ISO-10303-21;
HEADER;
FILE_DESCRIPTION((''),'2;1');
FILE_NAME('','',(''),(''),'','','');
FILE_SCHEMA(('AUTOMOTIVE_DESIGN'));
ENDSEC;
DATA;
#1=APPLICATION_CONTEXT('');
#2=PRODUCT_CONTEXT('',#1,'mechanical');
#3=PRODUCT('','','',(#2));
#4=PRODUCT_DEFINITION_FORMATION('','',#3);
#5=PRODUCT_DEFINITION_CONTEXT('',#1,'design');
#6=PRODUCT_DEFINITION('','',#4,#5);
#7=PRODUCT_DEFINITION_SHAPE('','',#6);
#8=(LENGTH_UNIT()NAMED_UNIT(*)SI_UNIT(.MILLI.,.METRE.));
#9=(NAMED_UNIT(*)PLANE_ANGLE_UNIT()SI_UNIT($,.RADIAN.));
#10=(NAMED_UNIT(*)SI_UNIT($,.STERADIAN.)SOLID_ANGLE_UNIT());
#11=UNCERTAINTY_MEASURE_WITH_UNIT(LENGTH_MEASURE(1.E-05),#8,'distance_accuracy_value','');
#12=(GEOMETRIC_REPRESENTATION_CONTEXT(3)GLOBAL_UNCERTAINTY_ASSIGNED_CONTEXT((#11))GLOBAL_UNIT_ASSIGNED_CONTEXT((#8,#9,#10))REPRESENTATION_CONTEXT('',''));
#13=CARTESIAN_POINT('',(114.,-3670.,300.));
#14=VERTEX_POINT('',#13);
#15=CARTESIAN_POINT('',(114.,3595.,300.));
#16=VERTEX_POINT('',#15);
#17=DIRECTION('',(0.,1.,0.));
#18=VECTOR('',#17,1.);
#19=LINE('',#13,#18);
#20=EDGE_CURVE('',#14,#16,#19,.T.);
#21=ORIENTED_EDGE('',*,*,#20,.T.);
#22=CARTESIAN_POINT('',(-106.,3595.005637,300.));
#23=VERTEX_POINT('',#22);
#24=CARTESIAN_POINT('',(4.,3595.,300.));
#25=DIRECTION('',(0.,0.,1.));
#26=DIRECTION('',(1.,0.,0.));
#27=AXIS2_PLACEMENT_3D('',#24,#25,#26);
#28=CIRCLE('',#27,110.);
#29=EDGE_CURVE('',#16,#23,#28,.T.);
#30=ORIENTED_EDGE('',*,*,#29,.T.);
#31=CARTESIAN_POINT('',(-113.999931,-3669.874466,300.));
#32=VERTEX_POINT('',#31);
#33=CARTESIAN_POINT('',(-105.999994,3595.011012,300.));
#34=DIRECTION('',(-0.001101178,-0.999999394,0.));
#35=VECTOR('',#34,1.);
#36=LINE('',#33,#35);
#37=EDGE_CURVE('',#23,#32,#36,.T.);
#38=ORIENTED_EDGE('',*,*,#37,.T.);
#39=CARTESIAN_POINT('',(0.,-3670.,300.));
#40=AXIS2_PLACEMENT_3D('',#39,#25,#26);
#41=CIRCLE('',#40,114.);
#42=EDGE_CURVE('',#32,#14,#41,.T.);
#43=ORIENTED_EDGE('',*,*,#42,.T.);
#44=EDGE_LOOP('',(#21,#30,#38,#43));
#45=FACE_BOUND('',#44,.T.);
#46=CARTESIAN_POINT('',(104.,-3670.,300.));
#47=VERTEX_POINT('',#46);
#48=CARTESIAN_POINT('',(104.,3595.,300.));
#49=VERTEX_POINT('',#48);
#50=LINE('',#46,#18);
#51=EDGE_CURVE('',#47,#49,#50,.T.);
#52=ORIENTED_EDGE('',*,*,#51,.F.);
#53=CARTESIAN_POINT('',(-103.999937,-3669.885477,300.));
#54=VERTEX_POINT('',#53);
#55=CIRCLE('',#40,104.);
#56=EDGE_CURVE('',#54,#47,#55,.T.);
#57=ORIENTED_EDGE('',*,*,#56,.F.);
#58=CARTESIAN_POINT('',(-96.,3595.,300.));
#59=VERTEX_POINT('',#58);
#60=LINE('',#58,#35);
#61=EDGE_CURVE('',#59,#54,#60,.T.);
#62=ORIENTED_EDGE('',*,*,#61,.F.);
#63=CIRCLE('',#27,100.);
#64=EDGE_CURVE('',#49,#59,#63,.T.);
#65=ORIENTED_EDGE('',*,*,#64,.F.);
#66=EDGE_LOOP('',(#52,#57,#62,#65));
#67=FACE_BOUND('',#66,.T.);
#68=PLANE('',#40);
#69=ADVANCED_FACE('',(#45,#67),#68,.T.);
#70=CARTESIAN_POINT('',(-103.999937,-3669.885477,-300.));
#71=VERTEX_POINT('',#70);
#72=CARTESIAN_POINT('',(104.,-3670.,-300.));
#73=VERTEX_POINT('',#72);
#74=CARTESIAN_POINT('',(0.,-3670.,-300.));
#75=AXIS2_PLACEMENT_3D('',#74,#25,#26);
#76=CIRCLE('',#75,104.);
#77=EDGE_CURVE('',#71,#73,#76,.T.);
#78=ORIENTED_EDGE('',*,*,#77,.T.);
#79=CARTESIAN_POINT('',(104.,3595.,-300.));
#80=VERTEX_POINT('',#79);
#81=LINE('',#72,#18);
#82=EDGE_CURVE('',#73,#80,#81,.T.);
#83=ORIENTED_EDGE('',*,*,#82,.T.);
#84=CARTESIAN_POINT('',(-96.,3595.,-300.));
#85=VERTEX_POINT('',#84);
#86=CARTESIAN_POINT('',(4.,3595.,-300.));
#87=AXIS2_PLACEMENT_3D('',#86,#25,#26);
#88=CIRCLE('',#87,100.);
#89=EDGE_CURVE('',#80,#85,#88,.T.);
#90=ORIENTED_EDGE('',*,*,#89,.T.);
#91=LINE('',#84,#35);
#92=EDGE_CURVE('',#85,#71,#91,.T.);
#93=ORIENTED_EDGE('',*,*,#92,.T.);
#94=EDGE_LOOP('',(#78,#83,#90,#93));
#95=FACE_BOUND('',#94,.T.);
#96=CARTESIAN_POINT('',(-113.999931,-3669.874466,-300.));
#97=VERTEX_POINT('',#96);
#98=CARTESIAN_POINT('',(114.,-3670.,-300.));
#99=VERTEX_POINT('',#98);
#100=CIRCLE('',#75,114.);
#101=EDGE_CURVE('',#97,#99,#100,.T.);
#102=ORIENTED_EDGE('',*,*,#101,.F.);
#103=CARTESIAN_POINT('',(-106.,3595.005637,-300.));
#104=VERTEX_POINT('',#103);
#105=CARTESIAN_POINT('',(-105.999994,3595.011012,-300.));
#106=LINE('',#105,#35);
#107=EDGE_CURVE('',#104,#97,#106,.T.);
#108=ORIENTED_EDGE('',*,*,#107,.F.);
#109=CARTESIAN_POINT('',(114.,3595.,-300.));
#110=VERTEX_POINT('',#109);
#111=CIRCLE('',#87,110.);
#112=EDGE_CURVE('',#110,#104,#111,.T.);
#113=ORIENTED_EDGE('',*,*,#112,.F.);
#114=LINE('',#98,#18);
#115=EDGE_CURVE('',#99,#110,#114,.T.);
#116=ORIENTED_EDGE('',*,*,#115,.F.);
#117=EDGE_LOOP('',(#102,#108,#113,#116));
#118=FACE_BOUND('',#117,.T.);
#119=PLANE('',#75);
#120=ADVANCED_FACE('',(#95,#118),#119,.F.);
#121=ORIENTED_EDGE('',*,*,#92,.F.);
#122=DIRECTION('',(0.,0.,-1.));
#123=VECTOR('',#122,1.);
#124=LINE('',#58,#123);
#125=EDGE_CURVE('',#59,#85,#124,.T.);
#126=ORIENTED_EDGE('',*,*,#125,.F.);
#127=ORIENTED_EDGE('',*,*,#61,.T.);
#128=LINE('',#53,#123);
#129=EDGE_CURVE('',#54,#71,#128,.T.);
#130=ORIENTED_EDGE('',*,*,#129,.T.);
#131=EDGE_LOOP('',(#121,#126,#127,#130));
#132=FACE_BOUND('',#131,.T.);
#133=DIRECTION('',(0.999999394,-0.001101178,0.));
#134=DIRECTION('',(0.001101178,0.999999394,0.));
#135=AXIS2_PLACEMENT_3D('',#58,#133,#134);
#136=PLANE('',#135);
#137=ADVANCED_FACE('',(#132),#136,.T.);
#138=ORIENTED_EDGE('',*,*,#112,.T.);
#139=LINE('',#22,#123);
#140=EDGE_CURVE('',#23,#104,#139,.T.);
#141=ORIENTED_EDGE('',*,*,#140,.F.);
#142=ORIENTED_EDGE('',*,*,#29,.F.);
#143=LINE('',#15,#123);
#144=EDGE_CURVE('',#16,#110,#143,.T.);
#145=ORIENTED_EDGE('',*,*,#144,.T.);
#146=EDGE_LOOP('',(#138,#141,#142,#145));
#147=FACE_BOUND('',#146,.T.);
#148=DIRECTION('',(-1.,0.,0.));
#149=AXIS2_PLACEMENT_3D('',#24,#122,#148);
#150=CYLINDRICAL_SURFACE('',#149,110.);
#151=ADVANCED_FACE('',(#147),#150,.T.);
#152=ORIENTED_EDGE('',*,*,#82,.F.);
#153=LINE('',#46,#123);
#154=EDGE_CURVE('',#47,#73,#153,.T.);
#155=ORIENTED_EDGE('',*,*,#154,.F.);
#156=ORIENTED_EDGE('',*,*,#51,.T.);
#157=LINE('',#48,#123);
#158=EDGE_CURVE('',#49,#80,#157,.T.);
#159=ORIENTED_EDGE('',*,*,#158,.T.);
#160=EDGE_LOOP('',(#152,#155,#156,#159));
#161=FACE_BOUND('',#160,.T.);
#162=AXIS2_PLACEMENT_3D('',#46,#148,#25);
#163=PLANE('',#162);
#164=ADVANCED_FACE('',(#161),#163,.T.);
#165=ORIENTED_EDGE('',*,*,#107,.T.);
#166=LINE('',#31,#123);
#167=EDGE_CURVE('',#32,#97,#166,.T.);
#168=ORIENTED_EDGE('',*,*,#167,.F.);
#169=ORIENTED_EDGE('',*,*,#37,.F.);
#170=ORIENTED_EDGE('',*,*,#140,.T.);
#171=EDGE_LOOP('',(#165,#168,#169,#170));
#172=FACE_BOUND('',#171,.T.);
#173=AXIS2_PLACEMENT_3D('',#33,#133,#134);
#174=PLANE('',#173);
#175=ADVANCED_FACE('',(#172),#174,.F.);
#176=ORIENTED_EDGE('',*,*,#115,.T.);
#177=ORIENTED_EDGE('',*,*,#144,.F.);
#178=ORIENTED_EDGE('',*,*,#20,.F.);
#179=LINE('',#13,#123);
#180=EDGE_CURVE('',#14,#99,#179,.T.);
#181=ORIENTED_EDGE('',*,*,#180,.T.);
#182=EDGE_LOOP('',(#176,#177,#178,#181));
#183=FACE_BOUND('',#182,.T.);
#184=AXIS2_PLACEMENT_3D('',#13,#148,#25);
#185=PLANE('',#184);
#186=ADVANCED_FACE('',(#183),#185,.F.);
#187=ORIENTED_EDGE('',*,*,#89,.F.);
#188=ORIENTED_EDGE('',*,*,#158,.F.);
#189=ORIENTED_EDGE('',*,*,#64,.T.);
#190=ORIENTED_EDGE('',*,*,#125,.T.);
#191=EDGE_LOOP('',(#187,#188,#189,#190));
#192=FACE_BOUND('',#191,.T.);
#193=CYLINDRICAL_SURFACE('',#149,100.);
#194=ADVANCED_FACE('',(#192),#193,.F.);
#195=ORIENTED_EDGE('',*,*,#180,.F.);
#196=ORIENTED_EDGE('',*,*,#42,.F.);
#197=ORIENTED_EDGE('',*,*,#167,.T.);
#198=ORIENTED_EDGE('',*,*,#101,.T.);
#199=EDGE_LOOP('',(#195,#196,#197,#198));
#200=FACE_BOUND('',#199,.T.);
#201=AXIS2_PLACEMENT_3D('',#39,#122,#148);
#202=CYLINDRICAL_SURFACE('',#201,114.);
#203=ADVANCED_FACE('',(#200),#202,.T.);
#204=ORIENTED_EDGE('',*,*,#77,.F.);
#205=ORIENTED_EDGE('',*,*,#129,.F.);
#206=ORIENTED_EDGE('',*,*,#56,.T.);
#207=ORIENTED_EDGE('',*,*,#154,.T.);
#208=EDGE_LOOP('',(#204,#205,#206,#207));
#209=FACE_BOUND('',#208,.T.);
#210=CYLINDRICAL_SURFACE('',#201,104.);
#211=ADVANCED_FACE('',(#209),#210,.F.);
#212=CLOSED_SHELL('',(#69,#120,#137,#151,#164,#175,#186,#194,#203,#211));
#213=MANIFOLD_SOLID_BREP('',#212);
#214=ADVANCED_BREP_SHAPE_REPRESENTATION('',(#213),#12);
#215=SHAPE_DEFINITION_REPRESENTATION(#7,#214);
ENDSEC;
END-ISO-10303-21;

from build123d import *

# Parameters (mm, degrees)
EXTRUDE_THIN3_DEPTH = 300


with BuildPart() as part:
    # Sketch1 → Extrude-Thin3 (new body, symmetric)
    with BuildSketch(Plane.XY):
        with BuildLine():
            Line((114, -3670), (114, 3595))
            ThreePointArc((114, 3595), (4.002818531, 3704.999999964), (-105.999999856, 3595.005637062))
            Line((-105.999999856, 3595.005637062), (-113.999930882, -3669.874465707))
            ThreePointArc((-113.999930882, -3669.874465707), (-0.062767156, -3783.999982721), (114, -3670))
        make_face()
        with BuildLine():
            Line((104, -3670), (104, 3595))
            ThreePointArc((104, 3595), (4, 3695), (-96, 3595))
            Line((-96, 3595), (-103.999936945, -3669.885477488))
            ThreePointArc((-103.999936945, -3669.885477488), (-0.057261265, -3773.999984236), (104, -3670))
        make_face(mode=Mode.SUBTRACT)
    extrude(amount=EXTRUDE_THIN3_DEPTH, both=True)


solid = part.part
